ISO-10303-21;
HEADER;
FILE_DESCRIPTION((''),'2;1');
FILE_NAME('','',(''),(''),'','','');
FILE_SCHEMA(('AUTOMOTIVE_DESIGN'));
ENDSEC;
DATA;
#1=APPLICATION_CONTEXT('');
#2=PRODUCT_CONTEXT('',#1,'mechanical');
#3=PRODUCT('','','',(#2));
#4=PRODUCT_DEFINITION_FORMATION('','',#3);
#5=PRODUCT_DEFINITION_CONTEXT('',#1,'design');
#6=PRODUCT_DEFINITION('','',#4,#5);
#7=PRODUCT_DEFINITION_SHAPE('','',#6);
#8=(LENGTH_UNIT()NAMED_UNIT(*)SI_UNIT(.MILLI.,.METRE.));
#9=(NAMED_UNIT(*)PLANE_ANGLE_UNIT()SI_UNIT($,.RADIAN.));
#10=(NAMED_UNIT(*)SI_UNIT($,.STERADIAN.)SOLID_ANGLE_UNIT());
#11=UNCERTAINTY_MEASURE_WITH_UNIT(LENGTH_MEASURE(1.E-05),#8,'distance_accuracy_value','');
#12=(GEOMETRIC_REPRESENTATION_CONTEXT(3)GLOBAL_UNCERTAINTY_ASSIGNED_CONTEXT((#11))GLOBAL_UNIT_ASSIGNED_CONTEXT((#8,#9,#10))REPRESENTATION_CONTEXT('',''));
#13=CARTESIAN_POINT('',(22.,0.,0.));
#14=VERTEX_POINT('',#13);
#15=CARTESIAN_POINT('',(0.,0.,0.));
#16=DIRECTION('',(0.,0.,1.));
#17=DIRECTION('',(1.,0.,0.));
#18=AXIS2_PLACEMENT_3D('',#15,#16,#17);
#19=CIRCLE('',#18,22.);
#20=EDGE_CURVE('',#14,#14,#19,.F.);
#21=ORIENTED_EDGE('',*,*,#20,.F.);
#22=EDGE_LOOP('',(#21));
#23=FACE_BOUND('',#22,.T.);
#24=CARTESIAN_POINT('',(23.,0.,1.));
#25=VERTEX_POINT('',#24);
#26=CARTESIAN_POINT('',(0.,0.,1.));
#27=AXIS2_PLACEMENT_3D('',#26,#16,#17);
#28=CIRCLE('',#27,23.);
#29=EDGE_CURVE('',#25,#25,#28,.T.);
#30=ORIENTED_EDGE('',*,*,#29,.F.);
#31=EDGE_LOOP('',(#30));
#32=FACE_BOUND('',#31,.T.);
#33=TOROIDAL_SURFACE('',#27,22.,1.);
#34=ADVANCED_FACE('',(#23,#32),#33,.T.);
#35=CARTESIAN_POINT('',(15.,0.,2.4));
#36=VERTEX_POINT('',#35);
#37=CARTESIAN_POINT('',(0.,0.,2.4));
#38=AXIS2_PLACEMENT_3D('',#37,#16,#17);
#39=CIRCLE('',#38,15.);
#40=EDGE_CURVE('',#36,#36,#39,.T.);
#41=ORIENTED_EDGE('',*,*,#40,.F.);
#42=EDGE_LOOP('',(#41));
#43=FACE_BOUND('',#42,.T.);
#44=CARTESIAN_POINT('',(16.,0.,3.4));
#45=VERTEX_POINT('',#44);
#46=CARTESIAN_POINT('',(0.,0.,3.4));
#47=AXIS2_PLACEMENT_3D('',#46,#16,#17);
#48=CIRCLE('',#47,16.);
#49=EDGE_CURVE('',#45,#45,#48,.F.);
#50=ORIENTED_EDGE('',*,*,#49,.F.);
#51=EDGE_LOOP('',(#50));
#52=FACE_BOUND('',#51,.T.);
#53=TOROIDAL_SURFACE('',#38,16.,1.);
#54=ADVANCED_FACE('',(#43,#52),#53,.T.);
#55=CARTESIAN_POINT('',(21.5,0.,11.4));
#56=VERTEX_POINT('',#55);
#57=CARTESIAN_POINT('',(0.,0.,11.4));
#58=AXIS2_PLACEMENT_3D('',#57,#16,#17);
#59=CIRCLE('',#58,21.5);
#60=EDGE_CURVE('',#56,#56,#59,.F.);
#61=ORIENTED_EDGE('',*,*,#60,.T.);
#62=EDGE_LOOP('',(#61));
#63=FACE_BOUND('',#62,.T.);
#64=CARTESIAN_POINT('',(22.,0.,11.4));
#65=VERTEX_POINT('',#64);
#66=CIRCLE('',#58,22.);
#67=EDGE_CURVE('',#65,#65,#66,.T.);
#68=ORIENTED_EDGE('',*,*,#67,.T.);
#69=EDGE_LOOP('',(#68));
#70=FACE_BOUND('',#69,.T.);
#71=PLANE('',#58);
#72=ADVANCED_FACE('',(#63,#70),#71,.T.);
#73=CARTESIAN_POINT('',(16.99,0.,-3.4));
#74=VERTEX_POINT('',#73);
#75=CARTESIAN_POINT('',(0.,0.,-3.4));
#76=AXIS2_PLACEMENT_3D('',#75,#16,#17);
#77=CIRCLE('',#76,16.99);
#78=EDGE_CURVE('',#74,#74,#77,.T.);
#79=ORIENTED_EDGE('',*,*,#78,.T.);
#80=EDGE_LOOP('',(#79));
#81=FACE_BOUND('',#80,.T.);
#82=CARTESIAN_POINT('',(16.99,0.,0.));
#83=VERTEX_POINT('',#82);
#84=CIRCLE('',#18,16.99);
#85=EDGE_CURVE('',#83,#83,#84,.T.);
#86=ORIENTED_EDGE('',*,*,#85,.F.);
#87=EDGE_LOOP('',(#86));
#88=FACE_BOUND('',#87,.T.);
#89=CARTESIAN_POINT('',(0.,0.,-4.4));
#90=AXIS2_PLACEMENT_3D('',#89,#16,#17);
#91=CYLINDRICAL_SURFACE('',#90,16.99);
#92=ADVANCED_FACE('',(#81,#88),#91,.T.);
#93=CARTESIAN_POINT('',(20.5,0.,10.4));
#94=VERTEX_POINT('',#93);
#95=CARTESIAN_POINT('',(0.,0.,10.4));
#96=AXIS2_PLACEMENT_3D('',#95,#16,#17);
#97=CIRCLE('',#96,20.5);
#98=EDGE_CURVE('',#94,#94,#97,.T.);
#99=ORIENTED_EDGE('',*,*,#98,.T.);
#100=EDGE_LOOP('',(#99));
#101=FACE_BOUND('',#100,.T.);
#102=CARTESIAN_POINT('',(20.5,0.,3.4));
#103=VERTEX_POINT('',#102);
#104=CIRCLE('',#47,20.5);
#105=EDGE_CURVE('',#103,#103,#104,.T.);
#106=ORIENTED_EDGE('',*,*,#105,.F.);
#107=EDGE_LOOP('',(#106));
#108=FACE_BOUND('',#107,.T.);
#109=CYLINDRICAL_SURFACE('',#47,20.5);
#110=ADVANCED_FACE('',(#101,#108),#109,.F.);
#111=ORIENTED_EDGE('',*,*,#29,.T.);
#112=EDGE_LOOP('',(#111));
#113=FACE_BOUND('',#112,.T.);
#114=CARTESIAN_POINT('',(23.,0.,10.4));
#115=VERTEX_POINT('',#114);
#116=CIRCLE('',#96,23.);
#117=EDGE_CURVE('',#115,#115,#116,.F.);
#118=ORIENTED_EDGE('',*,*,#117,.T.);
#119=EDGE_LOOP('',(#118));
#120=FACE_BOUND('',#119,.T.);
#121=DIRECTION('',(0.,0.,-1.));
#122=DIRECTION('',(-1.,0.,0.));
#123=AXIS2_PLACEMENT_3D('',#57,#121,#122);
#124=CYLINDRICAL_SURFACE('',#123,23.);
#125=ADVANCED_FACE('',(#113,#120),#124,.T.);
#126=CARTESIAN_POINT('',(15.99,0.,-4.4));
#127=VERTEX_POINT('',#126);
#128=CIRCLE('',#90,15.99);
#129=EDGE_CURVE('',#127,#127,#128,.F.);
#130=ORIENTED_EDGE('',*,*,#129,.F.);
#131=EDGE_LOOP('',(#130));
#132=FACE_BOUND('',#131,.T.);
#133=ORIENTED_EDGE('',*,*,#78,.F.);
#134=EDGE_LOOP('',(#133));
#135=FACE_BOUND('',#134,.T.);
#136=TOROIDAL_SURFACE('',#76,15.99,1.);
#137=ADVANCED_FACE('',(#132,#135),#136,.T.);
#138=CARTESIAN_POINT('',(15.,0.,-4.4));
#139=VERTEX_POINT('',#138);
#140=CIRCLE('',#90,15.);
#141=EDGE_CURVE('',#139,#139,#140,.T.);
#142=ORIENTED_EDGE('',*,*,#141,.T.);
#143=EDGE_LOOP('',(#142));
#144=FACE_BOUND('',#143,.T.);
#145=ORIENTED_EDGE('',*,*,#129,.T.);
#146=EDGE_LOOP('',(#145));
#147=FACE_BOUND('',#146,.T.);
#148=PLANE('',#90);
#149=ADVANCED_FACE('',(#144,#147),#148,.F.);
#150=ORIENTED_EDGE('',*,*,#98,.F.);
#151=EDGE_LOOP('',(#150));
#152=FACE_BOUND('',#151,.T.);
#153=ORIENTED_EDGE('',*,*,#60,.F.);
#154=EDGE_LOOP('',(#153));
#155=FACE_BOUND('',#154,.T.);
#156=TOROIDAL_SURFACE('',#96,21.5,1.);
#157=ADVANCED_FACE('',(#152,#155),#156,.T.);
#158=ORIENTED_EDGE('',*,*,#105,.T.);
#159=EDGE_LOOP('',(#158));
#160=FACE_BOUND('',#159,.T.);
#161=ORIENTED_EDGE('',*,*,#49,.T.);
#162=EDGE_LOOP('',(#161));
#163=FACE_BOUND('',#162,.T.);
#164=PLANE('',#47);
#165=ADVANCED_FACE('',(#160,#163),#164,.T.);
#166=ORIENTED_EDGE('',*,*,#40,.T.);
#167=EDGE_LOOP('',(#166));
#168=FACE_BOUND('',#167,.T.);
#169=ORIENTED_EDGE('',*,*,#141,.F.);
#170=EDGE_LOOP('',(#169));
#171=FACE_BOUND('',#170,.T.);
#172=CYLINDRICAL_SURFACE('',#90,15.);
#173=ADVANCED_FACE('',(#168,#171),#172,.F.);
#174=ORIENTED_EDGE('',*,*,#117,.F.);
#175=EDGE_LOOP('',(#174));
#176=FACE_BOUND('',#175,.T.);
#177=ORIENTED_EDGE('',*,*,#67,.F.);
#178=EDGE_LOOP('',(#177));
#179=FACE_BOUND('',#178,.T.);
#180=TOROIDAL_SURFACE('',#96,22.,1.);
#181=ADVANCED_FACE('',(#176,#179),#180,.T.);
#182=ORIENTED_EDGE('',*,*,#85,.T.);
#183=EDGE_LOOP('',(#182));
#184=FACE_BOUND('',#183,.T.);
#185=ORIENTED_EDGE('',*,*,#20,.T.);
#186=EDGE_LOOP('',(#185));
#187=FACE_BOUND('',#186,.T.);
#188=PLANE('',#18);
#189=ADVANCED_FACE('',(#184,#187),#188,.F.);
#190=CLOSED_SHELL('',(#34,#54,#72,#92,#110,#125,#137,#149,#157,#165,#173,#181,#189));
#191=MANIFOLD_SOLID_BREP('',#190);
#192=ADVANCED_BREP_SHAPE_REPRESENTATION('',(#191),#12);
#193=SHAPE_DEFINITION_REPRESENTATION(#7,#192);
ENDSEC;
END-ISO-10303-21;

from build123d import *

# Parameters (mm, degrees)
SKETCH1_R           = 23
BOSS_EXTRUDE1_DEPTH = 11.4
SKETCH2_R           = 20.5
CUT_EXTRUDE1_DEPTH  = 8
SKETCH3_R           = 16.99
BOSS_EXTRUDE2_DEPTH = 7.8
SKETCH4_R           = 15
CUT_EXTRUDE2_DEPTH  = 34.496268449
FILLET1_R           = 1
FILLET3_R           = 1
FILLET4_R           = 1


with BuildPart() as part:
    # Sketch1 → Boss-Extrude1 (new body)
    with BuildSketch(Plane.XY):
        Circle(SKETCH1_R)
    extrude(amount=BOSS_EXTRUDE1_DEPTH)

    # Sketch2 → Cut-Extrude1 (cut)
    with BuildSketch(Plane.XY.offset(11.4)):
        Circle(SKETCH2_R)
    extrude(amount=-CUT_EXTRUDE1_DEPTH, mode=Mode.SUBTRACT)

    # Sketch3 → Boss-Extrude2 (add)
    with BuildSketch(Plane.XY.offset(3.4)):
        Circle(SKETCH3_R)
    extrude(amount=-BOSS_EXTRUDE2_DEPTH)

    # Sketch4 → Cut-Extrude2 (cut, through all)
    with BuildSketch(Plane.XY.offset(3.4)):
        Circle(SKETCH4_R)
    extrude(amount=-CUT_EXTRUDE2_DEPTH, mode=Mode.SUBTRACT)

    # Fillet1
    fillet1_edges = [part.edges().sort_by_distance(p)[0] for p in [
        (-15, 0, 3.4),
    ]]
    fillet(fillet1_edges, radius=FILLET1_R)

    # Fillet3
    fillet3_edges = [part.edges().sort_by_distance(p)[0] for p in [
        (-16.99, 0, -4.4),
        (-23, 0, 11.4),
        (-20.5, 0, 11.4),
    ]]
    fillet(fillet3_edges, radius=FILLET3_R)

    # Fillet4
    fillet4_edges = [part.edges().sort_by_distance(p)[0] for p in [
        (-23, 0, 0),
    ]]
    fillet(fillet4_edges, radius=FILLET4_R)


solid = part.part
